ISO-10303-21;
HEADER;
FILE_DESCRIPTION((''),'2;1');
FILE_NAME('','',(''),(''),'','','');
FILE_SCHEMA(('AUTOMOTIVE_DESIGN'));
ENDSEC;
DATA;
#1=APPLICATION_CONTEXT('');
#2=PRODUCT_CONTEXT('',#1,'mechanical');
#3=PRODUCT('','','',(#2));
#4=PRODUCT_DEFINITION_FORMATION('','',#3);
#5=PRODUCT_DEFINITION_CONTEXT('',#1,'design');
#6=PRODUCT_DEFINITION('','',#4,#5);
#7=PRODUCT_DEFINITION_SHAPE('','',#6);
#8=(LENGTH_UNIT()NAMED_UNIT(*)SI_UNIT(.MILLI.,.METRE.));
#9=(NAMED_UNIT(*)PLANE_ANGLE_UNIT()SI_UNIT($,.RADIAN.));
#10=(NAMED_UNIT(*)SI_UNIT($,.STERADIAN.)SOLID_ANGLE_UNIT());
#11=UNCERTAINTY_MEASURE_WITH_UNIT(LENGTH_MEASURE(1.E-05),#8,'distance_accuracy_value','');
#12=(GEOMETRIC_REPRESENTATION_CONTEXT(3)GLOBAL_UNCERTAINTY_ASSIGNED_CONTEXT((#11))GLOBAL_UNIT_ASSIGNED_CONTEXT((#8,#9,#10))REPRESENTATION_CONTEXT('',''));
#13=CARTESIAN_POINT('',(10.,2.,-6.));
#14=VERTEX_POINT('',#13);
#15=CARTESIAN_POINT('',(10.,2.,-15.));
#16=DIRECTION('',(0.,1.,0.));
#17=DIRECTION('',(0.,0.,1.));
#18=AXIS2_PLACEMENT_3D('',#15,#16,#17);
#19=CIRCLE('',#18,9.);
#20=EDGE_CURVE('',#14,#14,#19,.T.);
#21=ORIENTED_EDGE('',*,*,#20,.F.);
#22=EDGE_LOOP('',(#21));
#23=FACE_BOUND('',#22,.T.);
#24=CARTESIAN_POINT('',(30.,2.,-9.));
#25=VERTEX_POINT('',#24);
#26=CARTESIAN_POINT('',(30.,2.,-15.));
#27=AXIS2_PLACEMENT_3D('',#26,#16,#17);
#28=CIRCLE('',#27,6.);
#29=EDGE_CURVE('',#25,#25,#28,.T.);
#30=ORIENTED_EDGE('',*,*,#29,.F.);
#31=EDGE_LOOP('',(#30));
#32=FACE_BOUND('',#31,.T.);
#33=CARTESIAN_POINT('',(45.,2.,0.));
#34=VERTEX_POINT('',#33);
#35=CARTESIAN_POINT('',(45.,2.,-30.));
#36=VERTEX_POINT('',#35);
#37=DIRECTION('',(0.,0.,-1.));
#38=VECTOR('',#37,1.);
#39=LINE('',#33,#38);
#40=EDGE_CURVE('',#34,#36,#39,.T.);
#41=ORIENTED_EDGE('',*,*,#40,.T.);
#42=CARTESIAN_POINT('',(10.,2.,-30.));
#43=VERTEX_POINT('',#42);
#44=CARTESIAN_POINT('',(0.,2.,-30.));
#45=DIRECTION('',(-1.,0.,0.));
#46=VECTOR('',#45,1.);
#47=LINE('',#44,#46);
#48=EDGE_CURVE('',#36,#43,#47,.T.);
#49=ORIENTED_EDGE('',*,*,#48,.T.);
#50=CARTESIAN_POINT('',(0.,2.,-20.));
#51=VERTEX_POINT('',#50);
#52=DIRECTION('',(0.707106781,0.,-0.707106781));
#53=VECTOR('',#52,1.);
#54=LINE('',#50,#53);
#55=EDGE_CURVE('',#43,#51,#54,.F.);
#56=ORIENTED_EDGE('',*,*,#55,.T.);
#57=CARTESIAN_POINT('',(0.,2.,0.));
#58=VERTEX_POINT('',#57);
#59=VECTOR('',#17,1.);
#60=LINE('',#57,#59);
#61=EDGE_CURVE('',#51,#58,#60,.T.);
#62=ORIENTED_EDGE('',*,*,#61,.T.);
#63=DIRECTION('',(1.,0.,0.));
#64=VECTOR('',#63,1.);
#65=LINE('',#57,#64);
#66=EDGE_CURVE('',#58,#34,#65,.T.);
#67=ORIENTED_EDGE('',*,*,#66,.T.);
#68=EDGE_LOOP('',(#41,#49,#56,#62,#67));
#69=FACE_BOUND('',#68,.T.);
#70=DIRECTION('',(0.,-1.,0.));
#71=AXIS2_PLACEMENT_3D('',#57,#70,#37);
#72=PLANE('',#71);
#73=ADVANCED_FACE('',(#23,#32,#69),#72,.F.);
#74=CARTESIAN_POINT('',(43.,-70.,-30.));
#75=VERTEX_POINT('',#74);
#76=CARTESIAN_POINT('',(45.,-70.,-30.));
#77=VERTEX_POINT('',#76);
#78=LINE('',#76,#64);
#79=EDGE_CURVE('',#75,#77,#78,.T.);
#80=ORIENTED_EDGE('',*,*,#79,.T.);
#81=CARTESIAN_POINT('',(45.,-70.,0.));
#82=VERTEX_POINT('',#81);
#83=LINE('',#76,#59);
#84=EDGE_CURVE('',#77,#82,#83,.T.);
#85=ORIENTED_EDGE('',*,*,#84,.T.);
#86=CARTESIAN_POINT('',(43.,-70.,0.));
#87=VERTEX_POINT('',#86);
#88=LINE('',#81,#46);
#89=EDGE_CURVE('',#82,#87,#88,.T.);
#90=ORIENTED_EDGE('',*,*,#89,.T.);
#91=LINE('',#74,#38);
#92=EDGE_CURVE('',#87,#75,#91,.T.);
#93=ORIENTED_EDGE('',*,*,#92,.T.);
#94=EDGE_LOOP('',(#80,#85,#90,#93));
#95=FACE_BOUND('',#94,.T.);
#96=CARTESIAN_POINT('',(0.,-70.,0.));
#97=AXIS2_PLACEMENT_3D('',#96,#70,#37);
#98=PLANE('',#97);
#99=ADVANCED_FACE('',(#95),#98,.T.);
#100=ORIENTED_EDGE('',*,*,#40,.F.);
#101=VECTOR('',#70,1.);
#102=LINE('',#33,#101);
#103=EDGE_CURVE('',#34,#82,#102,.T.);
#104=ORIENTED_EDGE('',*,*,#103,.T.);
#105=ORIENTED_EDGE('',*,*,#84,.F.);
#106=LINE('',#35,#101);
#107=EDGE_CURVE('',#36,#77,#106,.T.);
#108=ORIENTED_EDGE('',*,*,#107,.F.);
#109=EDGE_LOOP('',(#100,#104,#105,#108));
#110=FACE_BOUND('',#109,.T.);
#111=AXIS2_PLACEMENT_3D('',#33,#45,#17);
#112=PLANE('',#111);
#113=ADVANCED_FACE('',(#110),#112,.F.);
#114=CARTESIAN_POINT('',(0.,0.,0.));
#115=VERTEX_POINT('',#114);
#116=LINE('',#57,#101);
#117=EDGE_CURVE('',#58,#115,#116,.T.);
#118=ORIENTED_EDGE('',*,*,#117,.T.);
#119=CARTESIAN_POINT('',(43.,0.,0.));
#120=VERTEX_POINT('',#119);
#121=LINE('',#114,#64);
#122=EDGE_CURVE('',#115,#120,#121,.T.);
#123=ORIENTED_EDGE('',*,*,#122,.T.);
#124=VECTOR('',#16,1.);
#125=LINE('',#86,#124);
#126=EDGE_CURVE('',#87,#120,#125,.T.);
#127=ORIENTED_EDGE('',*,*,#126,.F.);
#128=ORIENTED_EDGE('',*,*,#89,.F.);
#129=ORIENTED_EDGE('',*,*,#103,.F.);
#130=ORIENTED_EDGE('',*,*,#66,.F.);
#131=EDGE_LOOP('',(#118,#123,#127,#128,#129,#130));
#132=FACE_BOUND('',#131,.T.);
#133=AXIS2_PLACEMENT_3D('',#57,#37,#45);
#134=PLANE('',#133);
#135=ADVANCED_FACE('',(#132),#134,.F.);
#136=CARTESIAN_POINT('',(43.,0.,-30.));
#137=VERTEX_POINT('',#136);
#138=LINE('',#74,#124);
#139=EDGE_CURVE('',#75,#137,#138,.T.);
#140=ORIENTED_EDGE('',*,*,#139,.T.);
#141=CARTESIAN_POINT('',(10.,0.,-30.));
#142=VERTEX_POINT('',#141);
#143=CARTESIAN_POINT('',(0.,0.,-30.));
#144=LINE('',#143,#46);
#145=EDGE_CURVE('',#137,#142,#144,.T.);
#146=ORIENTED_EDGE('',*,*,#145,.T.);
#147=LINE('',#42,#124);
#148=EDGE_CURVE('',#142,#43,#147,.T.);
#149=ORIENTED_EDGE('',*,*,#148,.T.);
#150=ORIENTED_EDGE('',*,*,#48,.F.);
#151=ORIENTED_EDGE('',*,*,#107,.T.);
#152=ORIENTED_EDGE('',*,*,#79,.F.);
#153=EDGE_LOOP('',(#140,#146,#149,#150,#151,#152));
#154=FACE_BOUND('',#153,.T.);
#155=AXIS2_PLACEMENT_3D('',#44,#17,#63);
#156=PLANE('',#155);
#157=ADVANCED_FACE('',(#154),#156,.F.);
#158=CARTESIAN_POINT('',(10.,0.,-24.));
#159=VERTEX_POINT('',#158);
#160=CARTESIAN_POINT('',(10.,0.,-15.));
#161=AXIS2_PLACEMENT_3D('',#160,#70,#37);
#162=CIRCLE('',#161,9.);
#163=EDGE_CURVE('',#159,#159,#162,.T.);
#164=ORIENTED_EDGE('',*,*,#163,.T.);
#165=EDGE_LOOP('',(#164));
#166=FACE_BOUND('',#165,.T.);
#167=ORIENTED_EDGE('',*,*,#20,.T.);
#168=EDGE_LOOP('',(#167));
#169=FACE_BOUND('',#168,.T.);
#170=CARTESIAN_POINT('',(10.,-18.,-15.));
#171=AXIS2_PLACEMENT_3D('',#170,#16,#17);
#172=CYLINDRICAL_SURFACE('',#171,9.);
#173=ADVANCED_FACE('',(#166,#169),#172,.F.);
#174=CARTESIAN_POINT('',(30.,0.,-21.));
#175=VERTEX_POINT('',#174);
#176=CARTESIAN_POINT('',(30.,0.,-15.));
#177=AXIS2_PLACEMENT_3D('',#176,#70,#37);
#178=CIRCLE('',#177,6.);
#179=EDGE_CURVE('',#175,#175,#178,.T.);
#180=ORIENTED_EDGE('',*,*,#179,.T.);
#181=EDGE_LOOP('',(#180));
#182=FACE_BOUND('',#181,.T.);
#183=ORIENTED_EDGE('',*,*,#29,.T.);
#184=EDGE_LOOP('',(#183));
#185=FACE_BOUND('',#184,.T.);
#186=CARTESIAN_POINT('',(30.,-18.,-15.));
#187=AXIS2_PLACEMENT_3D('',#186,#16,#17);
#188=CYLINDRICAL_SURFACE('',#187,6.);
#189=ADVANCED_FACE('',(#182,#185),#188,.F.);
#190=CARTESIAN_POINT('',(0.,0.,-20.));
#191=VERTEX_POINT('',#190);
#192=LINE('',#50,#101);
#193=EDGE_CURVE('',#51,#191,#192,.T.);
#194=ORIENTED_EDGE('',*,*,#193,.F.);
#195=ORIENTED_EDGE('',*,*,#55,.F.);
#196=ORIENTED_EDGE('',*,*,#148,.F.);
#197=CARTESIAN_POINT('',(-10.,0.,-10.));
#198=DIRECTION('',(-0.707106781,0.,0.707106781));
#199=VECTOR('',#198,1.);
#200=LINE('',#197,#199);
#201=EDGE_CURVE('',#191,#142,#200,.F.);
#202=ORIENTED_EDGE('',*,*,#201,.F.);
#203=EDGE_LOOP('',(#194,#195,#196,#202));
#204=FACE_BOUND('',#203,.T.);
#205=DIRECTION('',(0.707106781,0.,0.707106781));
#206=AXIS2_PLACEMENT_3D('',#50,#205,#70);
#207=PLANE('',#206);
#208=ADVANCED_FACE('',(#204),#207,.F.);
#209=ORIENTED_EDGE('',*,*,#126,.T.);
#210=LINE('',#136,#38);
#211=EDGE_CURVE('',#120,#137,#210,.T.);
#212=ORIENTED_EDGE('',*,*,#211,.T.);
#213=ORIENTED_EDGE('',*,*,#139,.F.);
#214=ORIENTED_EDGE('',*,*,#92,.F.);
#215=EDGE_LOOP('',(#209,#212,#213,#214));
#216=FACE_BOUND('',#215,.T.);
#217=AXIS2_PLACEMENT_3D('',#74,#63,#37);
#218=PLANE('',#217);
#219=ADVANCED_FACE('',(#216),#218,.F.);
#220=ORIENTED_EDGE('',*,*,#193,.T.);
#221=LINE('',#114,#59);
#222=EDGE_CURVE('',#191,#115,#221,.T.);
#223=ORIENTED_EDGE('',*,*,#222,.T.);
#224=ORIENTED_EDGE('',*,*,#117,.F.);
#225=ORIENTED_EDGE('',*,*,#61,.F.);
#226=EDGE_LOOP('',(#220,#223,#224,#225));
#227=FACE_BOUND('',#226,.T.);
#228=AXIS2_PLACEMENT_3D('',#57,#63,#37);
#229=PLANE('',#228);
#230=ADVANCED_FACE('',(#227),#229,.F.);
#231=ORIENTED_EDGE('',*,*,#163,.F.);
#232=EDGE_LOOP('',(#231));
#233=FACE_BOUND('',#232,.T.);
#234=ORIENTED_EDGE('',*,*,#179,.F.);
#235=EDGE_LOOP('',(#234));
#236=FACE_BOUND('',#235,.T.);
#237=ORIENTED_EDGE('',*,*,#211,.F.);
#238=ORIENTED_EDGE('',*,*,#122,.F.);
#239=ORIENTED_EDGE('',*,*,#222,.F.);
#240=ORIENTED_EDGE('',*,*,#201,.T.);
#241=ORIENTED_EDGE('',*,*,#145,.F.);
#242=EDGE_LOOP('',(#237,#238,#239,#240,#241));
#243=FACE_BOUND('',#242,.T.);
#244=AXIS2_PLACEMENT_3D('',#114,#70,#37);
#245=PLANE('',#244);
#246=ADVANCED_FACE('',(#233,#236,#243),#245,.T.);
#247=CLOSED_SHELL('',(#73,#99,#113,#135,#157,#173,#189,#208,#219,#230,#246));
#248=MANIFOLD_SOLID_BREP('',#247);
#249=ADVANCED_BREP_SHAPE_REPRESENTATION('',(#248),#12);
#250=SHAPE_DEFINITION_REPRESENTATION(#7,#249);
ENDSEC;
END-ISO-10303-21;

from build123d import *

# Parameters (mm, degrees)
SKETCH1_W           = 45
SKETCH1_H           = 30
BOSS_EXTRUDE1_DEPTH = 2
SKETCH2_R           = 9
SKETCH2_R_2         = 6
CUT_EXTRUDE1_DEPTH  = 20
SKETCH3_W           = 2
SKETCH3_H           = 30
BOSS_EXTRUDE2_DEPTH = 70
CHAMFER1_SIZE       = 10


with BuildPart() as part:
    # Sketch1 → Boss-Extrude1 (new body)
    with BuildSketch(Plane(origin=(0, 0, 0), x_dir=(1, 0, 0), z_dir=(0, 1, 0))):
        with Locations((22.5, 15)):
            Rectangle(SKETCH1_W, SKETCH1_H)
    extrude(amount=BOSS_EXTRUDE1_DEPTH)

    # Sketch2 → Cut-Extrude1 (cut)
    with BuildSketch(Plane(origin=(0, 2, 0), x_dir=(1, 0, 0), z_dir=(0, 1, 0))):
        with Locations((10, 15)):
            Circle(SKETCH2_R)
        with Locations((30, 15)):
            Circle(SKETCH2_R_2)
    extrude(amount=-CUT_EXTRUDE1_DEPTH, mode=Mode.SUBTRACT)

    # Sketch3 → Boss-Extrude2 (add)
    with BuildSketch(Plane.XZ):
        with Locations((44, -15)):
            Rectangle(SKETCH3_W, SKETCH3_H)
    extrude(amount=BOSS_EXTRUDE2_DEPTH)

    # Chamfer1
    chamfer1_edges = [part.edges().sort_by_distance(p)[0] for p in [
        (0, 1, -30),
    ]]
    chamfer(chamfer1_edges, length=CHAMFER1_SIZE)


solid = part.part
